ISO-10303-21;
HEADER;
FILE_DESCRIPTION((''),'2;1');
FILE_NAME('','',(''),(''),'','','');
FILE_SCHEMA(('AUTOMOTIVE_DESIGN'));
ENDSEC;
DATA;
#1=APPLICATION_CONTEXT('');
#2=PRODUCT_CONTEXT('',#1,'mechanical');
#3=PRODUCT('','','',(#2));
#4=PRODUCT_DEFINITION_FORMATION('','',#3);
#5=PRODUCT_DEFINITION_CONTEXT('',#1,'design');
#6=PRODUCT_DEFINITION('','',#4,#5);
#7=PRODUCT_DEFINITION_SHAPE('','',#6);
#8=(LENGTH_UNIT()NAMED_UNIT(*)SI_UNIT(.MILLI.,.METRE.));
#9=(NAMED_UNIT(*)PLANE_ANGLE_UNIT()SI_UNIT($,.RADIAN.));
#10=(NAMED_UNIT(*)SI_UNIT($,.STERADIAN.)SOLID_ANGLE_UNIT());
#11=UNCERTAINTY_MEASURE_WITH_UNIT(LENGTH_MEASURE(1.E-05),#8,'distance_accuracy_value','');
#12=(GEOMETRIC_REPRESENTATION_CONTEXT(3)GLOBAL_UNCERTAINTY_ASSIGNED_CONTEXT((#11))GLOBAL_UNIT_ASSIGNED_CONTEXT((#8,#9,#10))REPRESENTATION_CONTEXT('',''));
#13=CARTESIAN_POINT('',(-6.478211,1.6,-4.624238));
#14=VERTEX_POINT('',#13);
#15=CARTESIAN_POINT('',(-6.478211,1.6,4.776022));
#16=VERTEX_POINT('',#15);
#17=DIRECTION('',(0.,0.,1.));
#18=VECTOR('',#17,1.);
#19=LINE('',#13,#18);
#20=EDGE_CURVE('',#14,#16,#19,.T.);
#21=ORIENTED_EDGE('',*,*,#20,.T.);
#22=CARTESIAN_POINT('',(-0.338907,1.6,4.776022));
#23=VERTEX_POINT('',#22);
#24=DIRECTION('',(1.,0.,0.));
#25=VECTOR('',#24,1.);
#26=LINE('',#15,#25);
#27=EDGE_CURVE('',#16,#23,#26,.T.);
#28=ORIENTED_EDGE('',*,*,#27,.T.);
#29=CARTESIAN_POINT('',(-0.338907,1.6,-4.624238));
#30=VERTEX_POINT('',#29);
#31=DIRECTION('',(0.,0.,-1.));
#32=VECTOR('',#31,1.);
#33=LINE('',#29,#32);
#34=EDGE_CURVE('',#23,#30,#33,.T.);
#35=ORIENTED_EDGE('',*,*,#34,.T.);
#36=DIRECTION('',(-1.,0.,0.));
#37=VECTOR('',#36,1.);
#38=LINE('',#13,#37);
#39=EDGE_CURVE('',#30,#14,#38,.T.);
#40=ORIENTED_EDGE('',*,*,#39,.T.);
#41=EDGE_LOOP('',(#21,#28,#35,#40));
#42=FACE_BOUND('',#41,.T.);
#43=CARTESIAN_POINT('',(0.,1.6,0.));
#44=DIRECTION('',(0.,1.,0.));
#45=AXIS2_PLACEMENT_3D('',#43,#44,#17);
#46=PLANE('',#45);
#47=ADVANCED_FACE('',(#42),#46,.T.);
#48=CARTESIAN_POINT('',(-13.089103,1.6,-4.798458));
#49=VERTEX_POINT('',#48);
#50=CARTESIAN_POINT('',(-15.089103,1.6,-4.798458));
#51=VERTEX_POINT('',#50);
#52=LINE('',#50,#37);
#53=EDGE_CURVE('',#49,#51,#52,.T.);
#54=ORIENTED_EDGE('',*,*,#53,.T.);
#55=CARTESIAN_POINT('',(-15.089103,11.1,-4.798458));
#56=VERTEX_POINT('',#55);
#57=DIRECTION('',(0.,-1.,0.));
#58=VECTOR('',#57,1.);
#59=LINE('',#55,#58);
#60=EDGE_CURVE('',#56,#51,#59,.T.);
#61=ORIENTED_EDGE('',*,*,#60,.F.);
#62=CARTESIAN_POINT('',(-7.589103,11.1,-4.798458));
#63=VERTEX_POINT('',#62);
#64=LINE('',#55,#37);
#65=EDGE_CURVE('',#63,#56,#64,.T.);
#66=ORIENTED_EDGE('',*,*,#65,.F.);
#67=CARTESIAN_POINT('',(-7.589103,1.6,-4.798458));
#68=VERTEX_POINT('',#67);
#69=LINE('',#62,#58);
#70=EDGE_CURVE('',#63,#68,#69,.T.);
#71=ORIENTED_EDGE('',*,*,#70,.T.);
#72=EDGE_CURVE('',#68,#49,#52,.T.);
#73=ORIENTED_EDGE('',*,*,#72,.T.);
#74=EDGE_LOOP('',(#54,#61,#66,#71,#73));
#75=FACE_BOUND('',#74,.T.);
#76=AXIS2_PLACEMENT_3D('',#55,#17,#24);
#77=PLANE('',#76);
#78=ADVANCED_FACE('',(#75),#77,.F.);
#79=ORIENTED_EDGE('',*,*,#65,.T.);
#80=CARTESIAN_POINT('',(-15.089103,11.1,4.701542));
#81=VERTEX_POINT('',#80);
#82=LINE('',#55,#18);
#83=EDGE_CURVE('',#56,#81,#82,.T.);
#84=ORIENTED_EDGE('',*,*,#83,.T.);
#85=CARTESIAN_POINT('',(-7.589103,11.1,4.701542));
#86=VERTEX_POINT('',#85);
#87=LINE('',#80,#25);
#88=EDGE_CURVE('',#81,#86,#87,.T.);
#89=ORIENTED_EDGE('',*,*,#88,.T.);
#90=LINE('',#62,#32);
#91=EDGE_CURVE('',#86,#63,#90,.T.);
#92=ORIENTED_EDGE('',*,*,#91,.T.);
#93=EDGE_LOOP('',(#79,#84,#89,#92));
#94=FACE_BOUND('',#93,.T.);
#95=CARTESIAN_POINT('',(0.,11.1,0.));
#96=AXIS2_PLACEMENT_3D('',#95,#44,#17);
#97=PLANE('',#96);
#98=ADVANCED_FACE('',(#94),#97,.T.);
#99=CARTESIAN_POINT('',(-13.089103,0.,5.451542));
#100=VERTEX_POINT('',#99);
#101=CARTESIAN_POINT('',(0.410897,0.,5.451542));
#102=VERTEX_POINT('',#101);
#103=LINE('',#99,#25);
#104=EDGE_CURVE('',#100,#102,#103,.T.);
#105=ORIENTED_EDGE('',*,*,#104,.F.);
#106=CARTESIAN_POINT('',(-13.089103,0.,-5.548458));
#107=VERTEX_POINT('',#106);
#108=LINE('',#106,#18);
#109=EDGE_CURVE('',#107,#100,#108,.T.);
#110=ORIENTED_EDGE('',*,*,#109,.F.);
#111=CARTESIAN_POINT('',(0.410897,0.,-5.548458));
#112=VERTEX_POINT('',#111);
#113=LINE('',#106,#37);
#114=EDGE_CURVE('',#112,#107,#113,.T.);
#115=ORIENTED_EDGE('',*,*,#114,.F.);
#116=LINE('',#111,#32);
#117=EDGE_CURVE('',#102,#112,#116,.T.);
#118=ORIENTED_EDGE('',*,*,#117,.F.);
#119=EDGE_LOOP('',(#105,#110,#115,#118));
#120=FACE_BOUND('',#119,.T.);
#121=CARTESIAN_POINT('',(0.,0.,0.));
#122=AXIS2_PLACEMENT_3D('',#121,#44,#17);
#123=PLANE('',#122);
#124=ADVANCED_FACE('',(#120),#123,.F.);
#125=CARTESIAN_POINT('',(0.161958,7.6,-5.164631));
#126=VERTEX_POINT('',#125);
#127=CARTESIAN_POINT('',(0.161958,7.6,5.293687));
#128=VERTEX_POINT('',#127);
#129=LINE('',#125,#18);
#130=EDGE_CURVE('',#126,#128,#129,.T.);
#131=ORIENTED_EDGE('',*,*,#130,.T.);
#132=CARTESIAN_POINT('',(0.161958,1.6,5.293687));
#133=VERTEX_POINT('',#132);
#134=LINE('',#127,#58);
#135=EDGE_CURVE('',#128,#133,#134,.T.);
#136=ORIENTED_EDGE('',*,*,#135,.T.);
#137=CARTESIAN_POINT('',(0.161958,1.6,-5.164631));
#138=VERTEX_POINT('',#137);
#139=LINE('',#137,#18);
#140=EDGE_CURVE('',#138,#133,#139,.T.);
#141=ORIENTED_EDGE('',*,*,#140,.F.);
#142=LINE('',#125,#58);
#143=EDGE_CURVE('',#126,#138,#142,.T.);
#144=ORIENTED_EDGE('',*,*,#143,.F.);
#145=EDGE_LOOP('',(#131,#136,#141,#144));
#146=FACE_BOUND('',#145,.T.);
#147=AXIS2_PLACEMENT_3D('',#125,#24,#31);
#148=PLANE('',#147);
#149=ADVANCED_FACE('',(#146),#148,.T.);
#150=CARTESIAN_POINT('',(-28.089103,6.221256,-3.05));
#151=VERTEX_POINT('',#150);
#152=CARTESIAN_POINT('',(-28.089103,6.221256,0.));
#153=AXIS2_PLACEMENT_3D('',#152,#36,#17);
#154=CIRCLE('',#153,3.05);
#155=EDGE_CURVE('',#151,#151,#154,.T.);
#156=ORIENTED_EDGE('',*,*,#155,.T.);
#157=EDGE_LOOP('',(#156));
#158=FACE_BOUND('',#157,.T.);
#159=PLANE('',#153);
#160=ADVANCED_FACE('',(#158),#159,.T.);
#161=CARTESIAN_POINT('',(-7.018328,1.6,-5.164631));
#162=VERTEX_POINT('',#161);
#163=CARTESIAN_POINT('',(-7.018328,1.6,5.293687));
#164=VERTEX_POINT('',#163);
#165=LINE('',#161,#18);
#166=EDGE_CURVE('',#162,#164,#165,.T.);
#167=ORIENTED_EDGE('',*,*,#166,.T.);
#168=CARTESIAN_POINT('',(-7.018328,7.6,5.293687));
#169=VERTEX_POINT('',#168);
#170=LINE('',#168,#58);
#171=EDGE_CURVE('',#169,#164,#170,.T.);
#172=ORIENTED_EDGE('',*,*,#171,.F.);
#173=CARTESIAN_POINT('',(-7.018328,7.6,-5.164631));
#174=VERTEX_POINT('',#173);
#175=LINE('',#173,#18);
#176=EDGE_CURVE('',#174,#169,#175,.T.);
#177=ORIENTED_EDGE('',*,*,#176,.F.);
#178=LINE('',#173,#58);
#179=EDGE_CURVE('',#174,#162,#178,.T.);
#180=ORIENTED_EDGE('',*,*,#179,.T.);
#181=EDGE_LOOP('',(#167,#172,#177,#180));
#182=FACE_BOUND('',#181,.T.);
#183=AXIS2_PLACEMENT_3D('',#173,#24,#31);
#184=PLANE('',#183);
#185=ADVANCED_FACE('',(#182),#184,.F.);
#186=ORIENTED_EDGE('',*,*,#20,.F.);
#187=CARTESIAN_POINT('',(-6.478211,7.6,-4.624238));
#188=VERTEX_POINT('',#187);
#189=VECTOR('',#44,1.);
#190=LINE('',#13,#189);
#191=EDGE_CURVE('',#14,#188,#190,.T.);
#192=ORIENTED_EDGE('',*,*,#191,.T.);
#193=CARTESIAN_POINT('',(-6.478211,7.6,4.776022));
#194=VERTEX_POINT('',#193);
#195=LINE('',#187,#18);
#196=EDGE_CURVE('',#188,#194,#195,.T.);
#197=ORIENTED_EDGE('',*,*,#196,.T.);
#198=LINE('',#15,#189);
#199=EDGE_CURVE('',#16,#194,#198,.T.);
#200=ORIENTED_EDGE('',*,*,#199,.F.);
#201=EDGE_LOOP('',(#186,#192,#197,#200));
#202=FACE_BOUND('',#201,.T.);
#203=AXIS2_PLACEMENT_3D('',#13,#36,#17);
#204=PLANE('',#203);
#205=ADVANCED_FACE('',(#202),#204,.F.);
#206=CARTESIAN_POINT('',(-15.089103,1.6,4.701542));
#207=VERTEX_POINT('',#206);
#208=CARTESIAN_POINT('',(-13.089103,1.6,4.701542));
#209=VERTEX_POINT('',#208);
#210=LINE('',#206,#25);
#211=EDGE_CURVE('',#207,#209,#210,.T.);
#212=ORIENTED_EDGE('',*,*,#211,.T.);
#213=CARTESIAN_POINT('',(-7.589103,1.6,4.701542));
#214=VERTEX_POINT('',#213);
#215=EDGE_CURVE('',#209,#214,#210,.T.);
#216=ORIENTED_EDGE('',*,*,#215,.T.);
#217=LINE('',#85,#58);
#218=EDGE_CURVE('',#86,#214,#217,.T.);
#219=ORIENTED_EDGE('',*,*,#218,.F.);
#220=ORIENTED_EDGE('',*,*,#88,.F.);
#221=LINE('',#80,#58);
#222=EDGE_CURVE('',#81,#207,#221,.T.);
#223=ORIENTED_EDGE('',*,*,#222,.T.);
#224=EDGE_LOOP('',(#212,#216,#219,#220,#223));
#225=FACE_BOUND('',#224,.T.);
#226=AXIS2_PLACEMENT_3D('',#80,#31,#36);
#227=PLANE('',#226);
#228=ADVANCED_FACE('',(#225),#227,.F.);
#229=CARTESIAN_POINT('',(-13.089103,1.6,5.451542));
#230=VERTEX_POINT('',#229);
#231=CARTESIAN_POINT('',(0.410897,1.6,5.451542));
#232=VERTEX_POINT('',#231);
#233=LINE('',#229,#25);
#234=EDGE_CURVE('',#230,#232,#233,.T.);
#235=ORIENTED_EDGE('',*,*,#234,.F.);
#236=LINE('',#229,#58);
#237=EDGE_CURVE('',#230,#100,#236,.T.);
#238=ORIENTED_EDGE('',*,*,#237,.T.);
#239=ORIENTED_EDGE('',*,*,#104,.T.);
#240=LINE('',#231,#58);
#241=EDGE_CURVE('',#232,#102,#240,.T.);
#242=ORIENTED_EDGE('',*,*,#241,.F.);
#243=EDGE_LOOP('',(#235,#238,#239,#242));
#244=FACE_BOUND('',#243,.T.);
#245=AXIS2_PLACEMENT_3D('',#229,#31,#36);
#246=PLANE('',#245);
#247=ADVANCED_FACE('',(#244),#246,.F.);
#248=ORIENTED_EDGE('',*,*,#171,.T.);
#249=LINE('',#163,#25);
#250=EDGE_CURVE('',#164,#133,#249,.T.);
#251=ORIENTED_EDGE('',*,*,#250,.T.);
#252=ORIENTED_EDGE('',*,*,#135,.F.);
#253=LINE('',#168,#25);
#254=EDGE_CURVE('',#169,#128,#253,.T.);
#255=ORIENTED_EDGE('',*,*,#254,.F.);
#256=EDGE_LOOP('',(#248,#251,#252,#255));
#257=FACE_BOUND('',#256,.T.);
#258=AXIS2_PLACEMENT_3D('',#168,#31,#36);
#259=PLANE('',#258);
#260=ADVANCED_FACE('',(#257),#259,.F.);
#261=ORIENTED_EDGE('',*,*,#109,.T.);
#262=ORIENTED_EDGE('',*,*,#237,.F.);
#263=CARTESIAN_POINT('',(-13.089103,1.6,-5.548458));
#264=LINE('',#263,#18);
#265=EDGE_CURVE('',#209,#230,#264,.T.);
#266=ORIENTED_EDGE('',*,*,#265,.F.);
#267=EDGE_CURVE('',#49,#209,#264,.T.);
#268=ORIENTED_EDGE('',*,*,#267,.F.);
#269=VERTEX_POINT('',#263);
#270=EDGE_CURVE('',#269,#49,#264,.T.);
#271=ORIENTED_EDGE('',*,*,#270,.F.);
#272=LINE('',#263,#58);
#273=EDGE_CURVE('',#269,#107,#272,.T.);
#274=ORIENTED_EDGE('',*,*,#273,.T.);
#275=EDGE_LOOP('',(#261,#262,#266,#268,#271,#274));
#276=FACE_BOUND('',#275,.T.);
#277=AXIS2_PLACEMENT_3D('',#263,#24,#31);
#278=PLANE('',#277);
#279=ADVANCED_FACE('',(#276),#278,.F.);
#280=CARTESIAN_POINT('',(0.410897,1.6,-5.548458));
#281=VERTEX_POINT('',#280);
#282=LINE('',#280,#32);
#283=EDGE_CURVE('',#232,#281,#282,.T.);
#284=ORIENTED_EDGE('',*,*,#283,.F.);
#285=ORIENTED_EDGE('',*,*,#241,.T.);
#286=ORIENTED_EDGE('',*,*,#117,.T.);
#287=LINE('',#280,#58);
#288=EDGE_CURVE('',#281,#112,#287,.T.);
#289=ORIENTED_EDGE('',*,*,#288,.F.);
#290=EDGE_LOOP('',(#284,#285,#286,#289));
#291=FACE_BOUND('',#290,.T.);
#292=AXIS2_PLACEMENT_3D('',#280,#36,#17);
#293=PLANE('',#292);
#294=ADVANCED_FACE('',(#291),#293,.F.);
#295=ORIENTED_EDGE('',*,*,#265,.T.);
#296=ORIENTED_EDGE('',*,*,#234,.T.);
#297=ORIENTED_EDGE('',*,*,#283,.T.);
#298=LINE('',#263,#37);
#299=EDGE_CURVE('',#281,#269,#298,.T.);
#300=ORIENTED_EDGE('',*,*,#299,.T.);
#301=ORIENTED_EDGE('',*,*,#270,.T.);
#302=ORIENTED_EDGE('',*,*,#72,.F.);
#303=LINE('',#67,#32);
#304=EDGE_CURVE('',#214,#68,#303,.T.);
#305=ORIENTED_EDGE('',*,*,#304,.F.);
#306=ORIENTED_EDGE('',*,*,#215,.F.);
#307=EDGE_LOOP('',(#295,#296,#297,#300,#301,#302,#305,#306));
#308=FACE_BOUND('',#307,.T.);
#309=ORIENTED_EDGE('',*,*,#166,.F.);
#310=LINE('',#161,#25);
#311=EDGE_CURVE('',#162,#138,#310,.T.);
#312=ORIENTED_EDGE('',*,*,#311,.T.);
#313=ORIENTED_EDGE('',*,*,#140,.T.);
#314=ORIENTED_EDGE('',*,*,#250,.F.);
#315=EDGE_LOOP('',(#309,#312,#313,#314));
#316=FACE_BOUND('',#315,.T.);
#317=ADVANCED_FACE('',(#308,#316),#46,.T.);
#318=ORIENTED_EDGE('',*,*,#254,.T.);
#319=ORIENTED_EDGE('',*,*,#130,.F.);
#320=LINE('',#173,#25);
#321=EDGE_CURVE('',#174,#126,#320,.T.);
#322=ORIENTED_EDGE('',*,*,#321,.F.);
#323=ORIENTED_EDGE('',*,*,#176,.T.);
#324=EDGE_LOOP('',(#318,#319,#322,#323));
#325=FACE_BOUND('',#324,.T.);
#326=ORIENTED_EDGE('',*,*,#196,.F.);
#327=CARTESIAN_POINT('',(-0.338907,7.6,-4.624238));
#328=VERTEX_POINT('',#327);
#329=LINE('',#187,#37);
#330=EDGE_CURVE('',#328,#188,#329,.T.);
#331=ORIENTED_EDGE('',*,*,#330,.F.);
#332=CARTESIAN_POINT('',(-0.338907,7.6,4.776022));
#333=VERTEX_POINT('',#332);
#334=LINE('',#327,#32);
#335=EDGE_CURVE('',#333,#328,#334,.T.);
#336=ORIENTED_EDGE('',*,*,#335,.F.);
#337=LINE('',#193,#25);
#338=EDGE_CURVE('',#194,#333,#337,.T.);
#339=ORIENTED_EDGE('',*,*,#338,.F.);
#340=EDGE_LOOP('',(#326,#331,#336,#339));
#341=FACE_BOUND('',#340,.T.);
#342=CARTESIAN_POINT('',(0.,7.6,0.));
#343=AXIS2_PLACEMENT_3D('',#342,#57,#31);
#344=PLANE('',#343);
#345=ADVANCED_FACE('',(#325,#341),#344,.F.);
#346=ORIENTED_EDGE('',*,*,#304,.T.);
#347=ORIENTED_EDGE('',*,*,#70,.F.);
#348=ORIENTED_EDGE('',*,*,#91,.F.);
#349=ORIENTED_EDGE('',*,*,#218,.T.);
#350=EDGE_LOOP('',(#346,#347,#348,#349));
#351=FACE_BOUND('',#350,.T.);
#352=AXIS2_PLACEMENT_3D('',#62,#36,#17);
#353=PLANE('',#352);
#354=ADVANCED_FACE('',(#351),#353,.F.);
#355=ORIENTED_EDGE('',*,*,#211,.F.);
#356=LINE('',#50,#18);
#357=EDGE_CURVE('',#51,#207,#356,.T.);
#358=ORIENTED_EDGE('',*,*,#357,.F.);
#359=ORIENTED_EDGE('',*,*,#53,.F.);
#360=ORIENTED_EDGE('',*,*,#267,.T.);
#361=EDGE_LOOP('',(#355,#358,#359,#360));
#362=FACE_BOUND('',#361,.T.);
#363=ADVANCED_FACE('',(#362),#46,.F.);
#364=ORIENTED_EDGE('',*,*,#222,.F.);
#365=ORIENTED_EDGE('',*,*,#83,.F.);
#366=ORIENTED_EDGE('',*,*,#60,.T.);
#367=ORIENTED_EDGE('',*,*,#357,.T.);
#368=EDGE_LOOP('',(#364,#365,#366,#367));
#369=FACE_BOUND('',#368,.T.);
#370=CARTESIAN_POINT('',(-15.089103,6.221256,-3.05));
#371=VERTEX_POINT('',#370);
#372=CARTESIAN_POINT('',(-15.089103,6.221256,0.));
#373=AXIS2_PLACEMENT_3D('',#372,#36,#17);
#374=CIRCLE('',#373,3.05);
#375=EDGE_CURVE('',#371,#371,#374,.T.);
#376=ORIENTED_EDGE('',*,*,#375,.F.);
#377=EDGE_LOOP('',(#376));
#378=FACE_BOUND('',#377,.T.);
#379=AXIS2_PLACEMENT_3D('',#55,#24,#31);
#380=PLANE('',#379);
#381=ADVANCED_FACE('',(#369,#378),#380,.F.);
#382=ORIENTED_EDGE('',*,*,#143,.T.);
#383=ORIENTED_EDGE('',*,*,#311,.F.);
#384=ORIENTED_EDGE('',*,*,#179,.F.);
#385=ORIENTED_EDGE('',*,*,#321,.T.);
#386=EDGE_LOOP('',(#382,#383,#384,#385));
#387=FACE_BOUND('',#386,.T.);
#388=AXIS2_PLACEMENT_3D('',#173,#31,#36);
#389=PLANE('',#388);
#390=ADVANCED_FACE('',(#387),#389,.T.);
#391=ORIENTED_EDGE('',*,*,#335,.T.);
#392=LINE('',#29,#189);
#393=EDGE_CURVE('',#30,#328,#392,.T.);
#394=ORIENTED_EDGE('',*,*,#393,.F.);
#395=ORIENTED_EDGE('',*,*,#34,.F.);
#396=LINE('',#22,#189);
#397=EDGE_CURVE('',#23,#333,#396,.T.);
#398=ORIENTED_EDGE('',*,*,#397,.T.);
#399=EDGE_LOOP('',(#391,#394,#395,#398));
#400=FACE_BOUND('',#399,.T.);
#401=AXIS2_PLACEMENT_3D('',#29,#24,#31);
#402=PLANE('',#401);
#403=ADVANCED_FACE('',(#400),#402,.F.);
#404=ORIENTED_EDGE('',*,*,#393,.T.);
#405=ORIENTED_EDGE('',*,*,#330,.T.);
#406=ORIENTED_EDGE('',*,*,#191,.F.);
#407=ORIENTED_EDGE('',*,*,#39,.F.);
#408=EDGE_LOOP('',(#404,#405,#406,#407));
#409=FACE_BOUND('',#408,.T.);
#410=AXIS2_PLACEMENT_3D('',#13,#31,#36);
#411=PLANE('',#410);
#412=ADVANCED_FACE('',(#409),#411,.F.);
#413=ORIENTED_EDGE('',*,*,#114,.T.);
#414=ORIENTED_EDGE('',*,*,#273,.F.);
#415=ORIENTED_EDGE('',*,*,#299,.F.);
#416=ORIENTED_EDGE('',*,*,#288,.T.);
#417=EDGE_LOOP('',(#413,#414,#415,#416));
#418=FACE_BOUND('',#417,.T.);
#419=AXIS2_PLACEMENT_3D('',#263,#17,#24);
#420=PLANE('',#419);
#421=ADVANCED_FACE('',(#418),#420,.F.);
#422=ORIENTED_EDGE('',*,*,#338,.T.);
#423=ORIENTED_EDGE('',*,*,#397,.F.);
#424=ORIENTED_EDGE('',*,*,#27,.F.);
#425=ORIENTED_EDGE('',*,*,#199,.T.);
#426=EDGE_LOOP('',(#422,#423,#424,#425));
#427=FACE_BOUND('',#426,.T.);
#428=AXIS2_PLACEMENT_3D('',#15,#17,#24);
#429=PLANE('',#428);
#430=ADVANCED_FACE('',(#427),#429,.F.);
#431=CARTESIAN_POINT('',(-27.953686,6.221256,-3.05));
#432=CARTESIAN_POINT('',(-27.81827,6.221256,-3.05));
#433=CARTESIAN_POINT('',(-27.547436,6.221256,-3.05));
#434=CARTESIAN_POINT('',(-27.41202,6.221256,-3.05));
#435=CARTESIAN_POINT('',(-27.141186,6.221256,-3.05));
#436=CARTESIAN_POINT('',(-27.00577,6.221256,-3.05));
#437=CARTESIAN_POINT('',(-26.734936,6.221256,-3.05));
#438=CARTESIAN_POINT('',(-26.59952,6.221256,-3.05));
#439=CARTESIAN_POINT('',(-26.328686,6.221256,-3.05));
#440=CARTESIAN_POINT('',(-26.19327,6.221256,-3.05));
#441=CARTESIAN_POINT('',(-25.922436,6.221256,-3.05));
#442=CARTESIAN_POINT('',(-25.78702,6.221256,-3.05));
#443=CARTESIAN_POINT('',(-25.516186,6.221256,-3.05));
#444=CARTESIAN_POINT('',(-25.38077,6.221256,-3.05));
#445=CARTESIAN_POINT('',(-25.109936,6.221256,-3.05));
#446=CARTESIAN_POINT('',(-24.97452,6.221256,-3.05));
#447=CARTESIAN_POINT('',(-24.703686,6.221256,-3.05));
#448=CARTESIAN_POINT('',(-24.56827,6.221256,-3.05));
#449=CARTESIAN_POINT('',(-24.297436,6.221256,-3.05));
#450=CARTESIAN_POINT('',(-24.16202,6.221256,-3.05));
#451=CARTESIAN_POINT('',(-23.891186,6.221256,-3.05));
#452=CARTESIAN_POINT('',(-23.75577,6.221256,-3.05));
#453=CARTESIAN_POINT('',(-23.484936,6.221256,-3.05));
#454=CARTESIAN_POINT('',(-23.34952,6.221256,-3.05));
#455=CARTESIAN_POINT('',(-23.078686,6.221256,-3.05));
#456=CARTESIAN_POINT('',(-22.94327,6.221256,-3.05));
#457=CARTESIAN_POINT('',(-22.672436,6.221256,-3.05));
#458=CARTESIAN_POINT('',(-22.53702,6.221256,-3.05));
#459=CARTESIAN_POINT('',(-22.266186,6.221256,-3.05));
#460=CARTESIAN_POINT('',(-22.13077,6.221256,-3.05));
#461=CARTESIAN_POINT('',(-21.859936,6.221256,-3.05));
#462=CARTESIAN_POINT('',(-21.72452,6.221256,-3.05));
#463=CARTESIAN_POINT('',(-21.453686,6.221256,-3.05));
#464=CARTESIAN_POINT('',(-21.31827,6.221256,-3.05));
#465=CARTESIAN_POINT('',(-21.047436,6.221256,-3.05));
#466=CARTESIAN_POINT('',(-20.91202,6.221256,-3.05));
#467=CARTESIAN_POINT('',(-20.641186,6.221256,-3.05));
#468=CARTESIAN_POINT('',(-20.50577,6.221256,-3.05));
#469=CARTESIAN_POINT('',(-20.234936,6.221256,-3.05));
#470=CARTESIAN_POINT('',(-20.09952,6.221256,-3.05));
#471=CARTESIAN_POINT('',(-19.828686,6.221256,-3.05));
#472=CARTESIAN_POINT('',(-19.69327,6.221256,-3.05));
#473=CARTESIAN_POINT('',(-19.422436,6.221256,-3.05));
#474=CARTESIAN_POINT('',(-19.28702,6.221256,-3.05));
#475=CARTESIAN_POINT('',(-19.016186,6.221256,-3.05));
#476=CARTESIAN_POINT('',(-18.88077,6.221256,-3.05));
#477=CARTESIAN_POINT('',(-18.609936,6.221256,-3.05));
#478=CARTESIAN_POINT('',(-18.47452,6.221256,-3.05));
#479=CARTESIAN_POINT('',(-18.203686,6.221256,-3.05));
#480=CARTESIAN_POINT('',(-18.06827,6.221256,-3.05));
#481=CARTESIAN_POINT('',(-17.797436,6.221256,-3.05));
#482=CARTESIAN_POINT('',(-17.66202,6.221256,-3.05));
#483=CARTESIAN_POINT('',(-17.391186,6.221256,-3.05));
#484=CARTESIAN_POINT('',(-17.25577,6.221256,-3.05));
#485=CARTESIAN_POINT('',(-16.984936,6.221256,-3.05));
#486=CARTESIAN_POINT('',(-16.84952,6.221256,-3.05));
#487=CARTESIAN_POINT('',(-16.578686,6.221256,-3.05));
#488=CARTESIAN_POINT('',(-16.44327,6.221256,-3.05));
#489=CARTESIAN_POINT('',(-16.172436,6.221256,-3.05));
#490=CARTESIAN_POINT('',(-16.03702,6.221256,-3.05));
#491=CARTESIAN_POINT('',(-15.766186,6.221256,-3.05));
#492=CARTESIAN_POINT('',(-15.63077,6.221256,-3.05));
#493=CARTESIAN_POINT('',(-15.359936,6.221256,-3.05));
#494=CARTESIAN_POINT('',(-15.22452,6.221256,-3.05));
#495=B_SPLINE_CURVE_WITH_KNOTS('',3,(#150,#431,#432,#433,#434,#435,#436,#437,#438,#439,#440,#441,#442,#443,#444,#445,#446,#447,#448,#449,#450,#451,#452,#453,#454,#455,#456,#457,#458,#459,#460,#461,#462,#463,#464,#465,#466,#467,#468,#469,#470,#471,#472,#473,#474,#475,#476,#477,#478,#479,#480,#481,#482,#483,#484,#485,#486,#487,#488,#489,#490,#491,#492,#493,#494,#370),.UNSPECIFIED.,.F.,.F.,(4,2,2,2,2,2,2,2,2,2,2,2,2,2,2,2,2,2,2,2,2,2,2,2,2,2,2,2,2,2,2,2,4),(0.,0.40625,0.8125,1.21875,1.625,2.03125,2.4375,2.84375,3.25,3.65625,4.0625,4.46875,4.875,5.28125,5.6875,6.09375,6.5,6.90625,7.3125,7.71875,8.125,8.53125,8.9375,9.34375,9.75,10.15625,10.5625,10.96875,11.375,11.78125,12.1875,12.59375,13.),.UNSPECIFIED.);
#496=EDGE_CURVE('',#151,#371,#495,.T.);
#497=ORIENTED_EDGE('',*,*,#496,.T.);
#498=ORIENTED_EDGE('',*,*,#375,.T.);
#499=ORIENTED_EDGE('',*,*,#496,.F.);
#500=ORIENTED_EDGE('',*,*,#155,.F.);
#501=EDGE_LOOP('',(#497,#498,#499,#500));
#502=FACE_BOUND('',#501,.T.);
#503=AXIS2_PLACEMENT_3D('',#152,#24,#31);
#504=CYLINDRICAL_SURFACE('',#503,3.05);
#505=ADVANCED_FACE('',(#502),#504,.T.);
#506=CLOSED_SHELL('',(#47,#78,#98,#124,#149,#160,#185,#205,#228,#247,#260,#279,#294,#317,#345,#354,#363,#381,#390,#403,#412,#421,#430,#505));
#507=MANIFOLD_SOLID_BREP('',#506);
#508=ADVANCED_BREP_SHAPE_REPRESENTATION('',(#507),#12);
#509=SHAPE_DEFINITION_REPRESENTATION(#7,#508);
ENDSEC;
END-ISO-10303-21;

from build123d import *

# Parameters (mm, degrees)
SKETCH_1_W          = 13.5
SKETCH_1_H          = 11
EXTRUDE_1_DEPTH     = 1.6
SKETCH_2_W          = 7.5
SKETCH_2_H          = 9.5
EXTRUDE_2_DEPTH     = 9.5
SKETCH_3_W          = 7.180285824
SKETCH_3_H          = 10.458318516
EXTRUDE_3_DEPTH     = 6
SKETCH_4_W          = 6.139304191
SKETCH_4_H          = 9.400260038
CUT_EXTRUDE_1_DEPTH = 6
SKETCH_5_R          = 3.05
EXTRUDE_4_DEPTH     = 13


with BuildPart() as part:
    # 草图1 → 凸台-拉伸1 (new body)
    with BuildSketch(Plane(origin=(0, 0, 0), x_dir=(1, 0, 0), z_dir=(0, 1, 0))):
        with Locations((-6.339102869, 0.04845815)):
            Rectangle(SKETCH_1_W, SKETCH_1_H)
    extrude(amount=EXTRUDE_1_DEPTH)

    # 草图2 → 凸台-拉伸2 (add)
    with BuildSketch(Plane(origin=(0, 1.6, 0), x_dir=(1, 0, 0), z_dir=(0, 1, 0))):
        with Locations((-11.339102869, 0.04845815)):
            Rectangle(SKETCH_2_W, SKETCH_2_H)
    extrude(amount=EXTRUDE_2_DEPTH)

    # 草图3 → 凸台-拉伸3 (add)
    with BuildSketch(Plane(origin=(0, 1.6, 0), x_dir=(1, 0, 0), z_dir=(0, 1, 0))):
        with Locations((-3.428185131, -0.064528037)):
            Rectangle(SKETCH_3_W, SKETCH_3_H)
    extrude(amount=EXTRUDE_3_DEPTH)

    # 草图4 → 切除-拉伸1 (cut)
    with BuildSketch(Plane(origin=(0, 7.6, 0), x_dir=(1, 0, 0), z_dir=(0, 1, 0))):
        with Locations((-3.408558638, -0.075891751)):
            Rectangle(SKETCH_4_W, SKETCH_4_H)
    extrude(amount=-CUT_EXTRUDE_1_DEPTH, mode=Mode.SUBTRACT)

    # 草图5 → 凸台-拉伸4 (add)
    with BuildSketch(Plane.ZY.offset(15.089102869)):
        with Locations(Location((0, 6.221255945, 0), (0, 0, 180))):
            Circle(SKETCH_5_R)
    extrude(amount=EXTRUDE_4_DEPTH)


solid = part.part
